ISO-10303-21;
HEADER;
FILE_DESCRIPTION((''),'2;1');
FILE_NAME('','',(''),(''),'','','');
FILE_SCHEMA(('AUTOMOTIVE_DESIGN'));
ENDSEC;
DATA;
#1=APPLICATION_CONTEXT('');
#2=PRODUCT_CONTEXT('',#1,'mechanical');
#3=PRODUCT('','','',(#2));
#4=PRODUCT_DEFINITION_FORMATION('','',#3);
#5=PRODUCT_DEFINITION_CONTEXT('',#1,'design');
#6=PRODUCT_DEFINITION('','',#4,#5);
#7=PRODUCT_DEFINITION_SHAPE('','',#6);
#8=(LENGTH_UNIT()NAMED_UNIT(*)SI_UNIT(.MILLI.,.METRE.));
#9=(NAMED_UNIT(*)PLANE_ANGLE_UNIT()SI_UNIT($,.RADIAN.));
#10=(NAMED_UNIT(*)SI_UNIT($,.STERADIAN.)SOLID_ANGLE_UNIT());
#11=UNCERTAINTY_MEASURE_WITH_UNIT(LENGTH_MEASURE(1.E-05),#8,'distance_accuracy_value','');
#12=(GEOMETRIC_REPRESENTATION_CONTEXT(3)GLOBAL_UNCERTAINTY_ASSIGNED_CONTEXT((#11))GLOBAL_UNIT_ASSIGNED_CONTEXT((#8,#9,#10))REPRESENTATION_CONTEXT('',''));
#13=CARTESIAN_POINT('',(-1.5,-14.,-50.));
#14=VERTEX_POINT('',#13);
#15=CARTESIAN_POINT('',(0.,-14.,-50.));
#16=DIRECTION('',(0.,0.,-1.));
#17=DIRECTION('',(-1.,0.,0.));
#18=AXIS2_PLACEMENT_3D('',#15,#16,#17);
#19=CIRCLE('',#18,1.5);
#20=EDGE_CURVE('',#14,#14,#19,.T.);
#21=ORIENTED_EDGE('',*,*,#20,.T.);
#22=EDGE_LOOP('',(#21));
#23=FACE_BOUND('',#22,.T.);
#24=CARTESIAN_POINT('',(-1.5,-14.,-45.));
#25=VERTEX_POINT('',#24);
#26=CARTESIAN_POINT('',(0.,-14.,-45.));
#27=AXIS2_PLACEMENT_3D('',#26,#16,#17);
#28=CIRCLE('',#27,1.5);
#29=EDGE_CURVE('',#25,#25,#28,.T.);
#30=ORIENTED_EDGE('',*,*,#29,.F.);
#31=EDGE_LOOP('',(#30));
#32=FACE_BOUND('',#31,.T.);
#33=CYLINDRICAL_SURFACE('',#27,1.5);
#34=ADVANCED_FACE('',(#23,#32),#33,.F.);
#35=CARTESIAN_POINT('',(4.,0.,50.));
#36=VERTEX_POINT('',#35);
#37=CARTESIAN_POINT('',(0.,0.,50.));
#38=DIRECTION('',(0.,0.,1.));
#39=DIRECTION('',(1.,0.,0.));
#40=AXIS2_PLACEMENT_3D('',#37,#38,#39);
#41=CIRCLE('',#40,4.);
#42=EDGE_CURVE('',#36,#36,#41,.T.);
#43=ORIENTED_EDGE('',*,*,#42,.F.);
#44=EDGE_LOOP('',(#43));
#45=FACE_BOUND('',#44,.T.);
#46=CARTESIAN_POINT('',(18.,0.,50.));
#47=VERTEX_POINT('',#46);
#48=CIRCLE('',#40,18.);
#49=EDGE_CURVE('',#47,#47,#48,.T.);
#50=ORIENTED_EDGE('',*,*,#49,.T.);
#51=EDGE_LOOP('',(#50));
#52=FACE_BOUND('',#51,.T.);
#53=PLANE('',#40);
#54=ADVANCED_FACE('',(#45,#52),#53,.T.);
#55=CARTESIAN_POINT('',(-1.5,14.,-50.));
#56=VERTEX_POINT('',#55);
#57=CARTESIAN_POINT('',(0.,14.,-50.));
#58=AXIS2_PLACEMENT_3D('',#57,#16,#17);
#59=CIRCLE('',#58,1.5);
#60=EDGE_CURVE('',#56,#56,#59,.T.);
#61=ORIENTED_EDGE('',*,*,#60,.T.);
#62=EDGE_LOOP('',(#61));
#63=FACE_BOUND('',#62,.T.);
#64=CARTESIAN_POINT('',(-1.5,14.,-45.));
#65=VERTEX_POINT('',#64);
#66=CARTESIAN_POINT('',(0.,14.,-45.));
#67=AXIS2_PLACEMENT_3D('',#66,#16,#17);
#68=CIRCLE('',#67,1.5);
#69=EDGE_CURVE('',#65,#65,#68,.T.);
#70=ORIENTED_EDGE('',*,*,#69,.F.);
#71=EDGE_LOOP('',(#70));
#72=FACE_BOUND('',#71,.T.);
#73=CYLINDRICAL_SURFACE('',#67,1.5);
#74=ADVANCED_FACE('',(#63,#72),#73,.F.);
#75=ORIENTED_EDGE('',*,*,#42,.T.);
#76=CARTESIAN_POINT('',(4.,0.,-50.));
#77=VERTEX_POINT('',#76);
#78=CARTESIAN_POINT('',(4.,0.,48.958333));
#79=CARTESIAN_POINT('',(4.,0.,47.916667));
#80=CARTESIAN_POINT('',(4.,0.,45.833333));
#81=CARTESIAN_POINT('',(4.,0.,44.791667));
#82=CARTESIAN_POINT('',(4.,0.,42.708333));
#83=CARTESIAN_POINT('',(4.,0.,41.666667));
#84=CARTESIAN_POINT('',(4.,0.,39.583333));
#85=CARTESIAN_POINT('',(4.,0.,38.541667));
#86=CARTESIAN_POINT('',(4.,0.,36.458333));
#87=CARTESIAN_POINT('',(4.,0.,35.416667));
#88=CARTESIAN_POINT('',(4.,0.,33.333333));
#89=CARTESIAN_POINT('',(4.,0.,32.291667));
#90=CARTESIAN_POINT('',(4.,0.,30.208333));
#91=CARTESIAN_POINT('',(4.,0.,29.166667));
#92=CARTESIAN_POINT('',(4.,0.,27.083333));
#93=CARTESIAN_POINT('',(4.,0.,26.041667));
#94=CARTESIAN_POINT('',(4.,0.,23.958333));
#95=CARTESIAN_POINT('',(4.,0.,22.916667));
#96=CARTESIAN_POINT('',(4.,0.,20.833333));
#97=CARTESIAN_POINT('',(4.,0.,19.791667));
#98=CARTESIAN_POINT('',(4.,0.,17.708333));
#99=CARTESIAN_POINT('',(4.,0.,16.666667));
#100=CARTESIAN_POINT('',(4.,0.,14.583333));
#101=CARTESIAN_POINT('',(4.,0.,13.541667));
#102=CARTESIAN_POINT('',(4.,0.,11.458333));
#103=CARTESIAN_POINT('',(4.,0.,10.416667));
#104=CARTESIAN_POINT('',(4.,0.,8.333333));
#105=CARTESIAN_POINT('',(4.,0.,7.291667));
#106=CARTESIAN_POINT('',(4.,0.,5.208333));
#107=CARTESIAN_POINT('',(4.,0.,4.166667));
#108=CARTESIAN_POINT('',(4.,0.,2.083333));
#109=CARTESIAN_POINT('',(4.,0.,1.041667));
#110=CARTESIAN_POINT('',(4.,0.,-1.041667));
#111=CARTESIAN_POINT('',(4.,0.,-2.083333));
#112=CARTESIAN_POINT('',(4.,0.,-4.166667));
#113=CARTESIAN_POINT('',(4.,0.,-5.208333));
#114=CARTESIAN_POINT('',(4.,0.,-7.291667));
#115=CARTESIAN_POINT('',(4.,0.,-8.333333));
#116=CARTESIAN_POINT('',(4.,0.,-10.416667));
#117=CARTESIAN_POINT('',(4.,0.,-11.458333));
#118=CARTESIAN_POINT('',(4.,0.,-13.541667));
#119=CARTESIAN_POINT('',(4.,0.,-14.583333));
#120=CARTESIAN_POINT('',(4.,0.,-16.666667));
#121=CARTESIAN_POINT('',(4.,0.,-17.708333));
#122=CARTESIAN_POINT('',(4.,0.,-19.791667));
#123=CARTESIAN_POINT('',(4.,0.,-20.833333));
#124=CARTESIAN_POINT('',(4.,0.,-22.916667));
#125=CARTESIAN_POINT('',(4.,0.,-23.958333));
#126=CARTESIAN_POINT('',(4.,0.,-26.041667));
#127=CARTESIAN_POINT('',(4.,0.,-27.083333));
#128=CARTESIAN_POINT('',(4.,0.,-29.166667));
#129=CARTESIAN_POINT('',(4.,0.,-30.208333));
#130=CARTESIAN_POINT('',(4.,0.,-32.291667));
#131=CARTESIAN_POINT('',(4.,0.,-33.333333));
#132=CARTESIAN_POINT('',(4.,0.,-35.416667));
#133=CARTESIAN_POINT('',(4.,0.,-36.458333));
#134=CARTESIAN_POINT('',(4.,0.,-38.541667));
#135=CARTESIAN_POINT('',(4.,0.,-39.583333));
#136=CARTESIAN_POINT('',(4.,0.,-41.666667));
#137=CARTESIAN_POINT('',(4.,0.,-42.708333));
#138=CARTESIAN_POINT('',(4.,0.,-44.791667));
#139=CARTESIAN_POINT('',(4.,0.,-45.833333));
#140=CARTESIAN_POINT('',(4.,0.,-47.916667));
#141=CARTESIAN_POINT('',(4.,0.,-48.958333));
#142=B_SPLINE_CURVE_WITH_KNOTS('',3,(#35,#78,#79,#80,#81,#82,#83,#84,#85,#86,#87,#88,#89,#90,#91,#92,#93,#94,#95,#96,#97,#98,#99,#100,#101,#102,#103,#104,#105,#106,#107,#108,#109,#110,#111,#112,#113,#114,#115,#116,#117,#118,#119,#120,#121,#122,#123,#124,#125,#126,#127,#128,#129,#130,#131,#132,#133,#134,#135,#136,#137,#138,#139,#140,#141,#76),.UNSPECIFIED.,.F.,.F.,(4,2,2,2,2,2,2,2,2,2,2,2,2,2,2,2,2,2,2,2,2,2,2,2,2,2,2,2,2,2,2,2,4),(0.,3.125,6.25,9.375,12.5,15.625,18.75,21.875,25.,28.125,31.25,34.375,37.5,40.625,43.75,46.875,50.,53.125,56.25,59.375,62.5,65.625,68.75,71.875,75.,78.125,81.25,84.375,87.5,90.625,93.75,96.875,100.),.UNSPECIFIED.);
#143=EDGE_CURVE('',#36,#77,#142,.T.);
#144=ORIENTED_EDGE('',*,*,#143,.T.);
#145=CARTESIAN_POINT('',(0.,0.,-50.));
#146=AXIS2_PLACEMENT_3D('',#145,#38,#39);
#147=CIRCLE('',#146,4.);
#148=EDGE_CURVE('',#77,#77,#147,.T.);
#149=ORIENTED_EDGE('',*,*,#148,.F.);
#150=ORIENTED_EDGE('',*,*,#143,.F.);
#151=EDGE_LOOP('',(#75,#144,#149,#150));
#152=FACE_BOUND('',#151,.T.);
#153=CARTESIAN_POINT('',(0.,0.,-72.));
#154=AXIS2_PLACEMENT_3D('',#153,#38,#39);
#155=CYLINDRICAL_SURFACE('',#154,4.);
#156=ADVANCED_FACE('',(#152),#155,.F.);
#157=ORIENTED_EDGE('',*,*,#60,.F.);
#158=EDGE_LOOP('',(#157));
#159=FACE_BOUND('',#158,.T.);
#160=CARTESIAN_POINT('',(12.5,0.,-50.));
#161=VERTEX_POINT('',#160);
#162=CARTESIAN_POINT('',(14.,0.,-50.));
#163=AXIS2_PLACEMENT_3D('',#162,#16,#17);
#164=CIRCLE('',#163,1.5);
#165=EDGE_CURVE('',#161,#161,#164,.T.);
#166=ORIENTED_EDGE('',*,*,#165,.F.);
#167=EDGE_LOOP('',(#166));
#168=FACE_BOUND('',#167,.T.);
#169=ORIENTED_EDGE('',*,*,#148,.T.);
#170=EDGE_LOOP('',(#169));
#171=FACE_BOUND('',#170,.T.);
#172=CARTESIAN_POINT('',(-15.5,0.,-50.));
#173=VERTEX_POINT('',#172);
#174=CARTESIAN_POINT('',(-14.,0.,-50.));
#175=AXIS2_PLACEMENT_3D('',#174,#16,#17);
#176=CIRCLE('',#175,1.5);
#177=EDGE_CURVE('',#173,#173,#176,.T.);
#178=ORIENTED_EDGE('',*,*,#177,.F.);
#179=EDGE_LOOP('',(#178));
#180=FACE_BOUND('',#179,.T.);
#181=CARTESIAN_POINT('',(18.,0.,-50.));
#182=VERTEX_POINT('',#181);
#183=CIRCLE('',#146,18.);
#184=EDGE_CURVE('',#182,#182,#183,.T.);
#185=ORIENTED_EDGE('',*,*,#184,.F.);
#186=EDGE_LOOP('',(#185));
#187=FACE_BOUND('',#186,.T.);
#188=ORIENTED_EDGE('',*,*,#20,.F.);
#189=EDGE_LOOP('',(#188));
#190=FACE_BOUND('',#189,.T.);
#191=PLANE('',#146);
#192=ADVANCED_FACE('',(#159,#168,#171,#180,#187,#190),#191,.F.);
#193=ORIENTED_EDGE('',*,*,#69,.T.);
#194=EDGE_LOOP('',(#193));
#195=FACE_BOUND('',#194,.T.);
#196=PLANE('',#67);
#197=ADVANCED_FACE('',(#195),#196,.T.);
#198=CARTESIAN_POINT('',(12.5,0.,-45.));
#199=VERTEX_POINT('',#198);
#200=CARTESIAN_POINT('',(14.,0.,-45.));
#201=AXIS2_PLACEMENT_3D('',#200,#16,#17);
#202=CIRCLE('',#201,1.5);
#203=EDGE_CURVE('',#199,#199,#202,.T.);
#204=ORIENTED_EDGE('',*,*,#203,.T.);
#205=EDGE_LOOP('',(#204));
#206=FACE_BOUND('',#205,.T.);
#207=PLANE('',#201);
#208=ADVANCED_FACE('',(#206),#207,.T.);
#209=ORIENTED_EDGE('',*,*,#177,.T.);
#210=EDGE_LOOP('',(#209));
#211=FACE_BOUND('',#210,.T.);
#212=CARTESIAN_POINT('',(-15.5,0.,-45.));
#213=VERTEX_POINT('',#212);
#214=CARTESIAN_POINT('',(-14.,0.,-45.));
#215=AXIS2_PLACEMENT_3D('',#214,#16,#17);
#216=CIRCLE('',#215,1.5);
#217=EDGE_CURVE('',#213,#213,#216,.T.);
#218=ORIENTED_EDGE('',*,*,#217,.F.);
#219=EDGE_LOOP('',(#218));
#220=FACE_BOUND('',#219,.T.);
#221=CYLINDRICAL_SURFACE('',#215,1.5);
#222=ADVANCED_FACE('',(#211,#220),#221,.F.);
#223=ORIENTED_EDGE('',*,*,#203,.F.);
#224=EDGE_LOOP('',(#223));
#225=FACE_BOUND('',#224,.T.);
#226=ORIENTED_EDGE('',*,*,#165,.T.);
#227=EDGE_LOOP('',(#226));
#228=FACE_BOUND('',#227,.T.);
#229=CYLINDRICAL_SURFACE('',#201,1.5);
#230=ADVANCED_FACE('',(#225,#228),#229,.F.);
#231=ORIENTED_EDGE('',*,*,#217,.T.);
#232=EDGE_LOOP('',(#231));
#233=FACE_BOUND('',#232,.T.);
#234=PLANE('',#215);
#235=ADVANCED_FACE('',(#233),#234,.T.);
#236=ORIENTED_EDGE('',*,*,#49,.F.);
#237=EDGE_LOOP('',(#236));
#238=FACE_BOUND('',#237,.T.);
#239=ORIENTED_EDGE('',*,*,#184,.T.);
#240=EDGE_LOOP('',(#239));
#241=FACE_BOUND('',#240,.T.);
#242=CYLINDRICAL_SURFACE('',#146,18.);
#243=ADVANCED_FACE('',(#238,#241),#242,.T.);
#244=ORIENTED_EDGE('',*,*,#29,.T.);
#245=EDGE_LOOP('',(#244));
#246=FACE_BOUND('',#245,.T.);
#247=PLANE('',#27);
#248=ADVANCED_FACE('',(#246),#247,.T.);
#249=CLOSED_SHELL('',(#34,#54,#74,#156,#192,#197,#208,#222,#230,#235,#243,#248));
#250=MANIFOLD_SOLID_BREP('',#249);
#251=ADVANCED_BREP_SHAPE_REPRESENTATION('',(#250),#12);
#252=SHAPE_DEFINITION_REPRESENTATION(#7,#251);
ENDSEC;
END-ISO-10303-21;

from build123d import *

# Parameters (mm, degrees)
BOSS_EXTRUDE1_DEPTH      = 50
BOSS_EXTRUDE1_DEPTH_BACK = 50
SKETCH2_R                = 18
SKETCH3_R                = 4
CUT_EXTRUDE1_DEPTH       = 122
SKETCH4_R                = 1.5
CUT_EXTRUDE2_DEPTH       = 5


with BuildPart() as part:
    # Sketch2 → Boss-Extrude1 (new, two sides: drawn at the far end of the back side and taken through both)
    with BuildSketch(Plane.XY.offset(-BOSS_EXTRUDE1_DEPTH_BACK)):
        Circle(SKETCH2_R)
    extrude(amount=BOSS_EXTRUDE1_DEPTH + BOSS_EXTRUDE1_DEPTH_BACK)

    # Sketch3 → Cut-Extrude1 (cut)
    with BuildSketch(Plane.XY.offset(50)):
        Circle(SKETCH3_R)
    extrude(amount=-CUT_EXTRUDE1_DEPTH, mode=Mode.SUBTRACT)

    # Sketch4 → Cut-Extrude2 (cut)
    with BuildSketch(Plane(origin=(0, 0, -50), x_dir=(-1, 0, 0), z_dir=(0, 0, -1))):
        with Locations((0, 14)):
            Circle(SKETCH4_R)
        with Locations((14, 0)):
            Circle(SKETCH4_R)
        with Locations((0, -14)):
            Circle(SKETCH4_R)
        with Locations((-14, 0)):
            Circle(SKETCH4_R)
    extrude(amount=-CUT_EXTRUDE2_DEPTH, mode=Mode.SUBTRACT)


solid = part.part
